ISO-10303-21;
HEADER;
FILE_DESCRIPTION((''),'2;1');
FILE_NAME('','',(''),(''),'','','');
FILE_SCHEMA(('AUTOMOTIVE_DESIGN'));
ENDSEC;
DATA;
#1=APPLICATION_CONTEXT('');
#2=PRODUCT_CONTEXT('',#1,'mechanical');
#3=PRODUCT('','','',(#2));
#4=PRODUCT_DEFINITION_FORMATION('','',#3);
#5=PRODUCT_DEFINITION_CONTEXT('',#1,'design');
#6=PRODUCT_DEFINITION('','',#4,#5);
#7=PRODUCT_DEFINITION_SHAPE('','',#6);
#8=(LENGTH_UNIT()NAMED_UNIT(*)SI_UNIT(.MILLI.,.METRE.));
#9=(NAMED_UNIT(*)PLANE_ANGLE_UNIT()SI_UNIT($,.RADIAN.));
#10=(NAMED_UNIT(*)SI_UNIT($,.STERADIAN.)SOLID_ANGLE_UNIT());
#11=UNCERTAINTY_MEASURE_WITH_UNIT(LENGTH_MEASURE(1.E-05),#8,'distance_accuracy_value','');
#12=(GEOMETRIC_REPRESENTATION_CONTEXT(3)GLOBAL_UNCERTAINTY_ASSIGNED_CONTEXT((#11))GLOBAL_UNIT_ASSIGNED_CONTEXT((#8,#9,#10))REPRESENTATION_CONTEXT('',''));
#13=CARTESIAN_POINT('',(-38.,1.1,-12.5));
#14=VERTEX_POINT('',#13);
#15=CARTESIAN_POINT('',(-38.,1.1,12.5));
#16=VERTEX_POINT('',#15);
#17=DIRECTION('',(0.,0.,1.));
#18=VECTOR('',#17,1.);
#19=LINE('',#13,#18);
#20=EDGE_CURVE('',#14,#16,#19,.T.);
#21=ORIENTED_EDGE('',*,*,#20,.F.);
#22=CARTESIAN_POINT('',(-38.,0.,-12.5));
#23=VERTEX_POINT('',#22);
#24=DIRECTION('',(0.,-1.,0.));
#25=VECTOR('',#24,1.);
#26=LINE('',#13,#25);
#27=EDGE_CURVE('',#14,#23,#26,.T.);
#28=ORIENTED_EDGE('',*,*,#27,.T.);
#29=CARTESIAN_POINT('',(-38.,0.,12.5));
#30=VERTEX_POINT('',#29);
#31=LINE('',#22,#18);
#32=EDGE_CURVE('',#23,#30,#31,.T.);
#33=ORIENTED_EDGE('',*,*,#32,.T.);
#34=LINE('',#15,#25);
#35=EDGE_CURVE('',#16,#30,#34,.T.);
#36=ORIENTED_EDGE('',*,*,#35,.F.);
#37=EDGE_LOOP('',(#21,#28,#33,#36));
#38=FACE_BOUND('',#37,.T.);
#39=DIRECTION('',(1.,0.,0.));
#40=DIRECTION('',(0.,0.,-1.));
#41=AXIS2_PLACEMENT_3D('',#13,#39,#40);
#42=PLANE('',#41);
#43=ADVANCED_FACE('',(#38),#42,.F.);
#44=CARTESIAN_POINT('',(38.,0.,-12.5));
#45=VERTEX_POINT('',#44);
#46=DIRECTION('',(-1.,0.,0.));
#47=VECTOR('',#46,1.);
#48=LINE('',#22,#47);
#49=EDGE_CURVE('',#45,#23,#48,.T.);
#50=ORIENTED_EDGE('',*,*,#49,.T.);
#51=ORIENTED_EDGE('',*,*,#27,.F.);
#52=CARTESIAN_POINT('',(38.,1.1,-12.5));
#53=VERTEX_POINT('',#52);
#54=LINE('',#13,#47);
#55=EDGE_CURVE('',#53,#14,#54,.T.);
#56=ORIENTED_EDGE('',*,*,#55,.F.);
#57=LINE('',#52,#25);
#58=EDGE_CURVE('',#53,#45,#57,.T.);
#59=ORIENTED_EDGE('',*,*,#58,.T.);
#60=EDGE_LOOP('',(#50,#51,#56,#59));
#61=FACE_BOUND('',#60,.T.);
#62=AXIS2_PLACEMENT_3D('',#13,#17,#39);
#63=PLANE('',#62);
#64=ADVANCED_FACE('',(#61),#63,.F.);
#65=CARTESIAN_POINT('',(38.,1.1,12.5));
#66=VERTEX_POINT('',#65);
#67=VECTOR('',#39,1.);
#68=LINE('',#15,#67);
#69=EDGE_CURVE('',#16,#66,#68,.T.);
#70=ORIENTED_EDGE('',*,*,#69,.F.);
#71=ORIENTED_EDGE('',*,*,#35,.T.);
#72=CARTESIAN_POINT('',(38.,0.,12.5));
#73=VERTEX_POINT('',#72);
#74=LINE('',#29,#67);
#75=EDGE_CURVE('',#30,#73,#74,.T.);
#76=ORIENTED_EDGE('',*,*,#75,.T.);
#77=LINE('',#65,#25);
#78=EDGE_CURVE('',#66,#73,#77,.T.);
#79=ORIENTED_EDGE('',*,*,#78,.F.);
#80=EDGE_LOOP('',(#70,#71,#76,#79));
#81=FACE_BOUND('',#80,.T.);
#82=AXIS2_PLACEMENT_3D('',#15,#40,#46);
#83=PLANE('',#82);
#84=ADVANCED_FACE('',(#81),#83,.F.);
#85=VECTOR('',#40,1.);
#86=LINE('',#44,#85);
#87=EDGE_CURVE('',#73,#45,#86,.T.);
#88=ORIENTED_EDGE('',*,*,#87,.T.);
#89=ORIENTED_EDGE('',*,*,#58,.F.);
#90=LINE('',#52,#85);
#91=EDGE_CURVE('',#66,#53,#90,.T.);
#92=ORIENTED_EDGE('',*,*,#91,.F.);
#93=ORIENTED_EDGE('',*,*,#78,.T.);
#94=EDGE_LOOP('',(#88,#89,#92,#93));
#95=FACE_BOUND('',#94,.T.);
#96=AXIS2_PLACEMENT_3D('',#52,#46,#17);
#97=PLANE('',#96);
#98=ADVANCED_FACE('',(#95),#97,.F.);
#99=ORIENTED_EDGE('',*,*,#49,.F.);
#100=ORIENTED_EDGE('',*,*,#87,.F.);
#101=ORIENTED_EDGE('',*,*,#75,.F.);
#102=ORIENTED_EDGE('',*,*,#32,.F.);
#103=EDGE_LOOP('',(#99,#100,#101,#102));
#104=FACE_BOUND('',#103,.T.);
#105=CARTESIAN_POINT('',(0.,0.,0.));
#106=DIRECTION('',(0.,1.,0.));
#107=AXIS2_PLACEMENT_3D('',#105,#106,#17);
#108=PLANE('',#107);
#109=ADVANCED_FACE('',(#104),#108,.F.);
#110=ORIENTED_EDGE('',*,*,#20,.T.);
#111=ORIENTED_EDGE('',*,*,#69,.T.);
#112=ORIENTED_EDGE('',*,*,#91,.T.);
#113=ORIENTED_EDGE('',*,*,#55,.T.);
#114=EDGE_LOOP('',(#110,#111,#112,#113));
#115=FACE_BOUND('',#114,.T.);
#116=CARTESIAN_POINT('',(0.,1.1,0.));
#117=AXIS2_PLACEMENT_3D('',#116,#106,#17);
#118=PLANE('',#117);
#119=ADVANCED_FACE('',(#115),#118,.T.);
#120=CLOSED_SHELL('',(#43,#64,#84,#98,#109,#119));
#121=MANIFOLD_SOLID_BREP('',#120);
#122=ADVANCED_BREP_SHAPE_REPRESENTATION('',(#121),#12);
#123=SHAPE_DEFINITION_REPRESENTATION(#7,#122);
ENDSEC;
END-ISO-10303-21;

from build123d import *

# Parameters (mm, degrees)
SKETCH_1_W      = 76
SKETCH_1_H      = 25
EXTRUDE_1_DEPTH = 1.1


with BuildPart() as part:
    # 草图1 → 凸台-拉伸1 (new body)
    with BuildSketch(Plane(origin=(0, 0, 0), x_dir=(1, 0, 0), z_dir=(0, 1, 0))):
        Rectangle(SKETCH_1_W, SKETCH_1_H)
    extrude(amount=EXTRUDE_1_DEPTH)


solid = part.part
